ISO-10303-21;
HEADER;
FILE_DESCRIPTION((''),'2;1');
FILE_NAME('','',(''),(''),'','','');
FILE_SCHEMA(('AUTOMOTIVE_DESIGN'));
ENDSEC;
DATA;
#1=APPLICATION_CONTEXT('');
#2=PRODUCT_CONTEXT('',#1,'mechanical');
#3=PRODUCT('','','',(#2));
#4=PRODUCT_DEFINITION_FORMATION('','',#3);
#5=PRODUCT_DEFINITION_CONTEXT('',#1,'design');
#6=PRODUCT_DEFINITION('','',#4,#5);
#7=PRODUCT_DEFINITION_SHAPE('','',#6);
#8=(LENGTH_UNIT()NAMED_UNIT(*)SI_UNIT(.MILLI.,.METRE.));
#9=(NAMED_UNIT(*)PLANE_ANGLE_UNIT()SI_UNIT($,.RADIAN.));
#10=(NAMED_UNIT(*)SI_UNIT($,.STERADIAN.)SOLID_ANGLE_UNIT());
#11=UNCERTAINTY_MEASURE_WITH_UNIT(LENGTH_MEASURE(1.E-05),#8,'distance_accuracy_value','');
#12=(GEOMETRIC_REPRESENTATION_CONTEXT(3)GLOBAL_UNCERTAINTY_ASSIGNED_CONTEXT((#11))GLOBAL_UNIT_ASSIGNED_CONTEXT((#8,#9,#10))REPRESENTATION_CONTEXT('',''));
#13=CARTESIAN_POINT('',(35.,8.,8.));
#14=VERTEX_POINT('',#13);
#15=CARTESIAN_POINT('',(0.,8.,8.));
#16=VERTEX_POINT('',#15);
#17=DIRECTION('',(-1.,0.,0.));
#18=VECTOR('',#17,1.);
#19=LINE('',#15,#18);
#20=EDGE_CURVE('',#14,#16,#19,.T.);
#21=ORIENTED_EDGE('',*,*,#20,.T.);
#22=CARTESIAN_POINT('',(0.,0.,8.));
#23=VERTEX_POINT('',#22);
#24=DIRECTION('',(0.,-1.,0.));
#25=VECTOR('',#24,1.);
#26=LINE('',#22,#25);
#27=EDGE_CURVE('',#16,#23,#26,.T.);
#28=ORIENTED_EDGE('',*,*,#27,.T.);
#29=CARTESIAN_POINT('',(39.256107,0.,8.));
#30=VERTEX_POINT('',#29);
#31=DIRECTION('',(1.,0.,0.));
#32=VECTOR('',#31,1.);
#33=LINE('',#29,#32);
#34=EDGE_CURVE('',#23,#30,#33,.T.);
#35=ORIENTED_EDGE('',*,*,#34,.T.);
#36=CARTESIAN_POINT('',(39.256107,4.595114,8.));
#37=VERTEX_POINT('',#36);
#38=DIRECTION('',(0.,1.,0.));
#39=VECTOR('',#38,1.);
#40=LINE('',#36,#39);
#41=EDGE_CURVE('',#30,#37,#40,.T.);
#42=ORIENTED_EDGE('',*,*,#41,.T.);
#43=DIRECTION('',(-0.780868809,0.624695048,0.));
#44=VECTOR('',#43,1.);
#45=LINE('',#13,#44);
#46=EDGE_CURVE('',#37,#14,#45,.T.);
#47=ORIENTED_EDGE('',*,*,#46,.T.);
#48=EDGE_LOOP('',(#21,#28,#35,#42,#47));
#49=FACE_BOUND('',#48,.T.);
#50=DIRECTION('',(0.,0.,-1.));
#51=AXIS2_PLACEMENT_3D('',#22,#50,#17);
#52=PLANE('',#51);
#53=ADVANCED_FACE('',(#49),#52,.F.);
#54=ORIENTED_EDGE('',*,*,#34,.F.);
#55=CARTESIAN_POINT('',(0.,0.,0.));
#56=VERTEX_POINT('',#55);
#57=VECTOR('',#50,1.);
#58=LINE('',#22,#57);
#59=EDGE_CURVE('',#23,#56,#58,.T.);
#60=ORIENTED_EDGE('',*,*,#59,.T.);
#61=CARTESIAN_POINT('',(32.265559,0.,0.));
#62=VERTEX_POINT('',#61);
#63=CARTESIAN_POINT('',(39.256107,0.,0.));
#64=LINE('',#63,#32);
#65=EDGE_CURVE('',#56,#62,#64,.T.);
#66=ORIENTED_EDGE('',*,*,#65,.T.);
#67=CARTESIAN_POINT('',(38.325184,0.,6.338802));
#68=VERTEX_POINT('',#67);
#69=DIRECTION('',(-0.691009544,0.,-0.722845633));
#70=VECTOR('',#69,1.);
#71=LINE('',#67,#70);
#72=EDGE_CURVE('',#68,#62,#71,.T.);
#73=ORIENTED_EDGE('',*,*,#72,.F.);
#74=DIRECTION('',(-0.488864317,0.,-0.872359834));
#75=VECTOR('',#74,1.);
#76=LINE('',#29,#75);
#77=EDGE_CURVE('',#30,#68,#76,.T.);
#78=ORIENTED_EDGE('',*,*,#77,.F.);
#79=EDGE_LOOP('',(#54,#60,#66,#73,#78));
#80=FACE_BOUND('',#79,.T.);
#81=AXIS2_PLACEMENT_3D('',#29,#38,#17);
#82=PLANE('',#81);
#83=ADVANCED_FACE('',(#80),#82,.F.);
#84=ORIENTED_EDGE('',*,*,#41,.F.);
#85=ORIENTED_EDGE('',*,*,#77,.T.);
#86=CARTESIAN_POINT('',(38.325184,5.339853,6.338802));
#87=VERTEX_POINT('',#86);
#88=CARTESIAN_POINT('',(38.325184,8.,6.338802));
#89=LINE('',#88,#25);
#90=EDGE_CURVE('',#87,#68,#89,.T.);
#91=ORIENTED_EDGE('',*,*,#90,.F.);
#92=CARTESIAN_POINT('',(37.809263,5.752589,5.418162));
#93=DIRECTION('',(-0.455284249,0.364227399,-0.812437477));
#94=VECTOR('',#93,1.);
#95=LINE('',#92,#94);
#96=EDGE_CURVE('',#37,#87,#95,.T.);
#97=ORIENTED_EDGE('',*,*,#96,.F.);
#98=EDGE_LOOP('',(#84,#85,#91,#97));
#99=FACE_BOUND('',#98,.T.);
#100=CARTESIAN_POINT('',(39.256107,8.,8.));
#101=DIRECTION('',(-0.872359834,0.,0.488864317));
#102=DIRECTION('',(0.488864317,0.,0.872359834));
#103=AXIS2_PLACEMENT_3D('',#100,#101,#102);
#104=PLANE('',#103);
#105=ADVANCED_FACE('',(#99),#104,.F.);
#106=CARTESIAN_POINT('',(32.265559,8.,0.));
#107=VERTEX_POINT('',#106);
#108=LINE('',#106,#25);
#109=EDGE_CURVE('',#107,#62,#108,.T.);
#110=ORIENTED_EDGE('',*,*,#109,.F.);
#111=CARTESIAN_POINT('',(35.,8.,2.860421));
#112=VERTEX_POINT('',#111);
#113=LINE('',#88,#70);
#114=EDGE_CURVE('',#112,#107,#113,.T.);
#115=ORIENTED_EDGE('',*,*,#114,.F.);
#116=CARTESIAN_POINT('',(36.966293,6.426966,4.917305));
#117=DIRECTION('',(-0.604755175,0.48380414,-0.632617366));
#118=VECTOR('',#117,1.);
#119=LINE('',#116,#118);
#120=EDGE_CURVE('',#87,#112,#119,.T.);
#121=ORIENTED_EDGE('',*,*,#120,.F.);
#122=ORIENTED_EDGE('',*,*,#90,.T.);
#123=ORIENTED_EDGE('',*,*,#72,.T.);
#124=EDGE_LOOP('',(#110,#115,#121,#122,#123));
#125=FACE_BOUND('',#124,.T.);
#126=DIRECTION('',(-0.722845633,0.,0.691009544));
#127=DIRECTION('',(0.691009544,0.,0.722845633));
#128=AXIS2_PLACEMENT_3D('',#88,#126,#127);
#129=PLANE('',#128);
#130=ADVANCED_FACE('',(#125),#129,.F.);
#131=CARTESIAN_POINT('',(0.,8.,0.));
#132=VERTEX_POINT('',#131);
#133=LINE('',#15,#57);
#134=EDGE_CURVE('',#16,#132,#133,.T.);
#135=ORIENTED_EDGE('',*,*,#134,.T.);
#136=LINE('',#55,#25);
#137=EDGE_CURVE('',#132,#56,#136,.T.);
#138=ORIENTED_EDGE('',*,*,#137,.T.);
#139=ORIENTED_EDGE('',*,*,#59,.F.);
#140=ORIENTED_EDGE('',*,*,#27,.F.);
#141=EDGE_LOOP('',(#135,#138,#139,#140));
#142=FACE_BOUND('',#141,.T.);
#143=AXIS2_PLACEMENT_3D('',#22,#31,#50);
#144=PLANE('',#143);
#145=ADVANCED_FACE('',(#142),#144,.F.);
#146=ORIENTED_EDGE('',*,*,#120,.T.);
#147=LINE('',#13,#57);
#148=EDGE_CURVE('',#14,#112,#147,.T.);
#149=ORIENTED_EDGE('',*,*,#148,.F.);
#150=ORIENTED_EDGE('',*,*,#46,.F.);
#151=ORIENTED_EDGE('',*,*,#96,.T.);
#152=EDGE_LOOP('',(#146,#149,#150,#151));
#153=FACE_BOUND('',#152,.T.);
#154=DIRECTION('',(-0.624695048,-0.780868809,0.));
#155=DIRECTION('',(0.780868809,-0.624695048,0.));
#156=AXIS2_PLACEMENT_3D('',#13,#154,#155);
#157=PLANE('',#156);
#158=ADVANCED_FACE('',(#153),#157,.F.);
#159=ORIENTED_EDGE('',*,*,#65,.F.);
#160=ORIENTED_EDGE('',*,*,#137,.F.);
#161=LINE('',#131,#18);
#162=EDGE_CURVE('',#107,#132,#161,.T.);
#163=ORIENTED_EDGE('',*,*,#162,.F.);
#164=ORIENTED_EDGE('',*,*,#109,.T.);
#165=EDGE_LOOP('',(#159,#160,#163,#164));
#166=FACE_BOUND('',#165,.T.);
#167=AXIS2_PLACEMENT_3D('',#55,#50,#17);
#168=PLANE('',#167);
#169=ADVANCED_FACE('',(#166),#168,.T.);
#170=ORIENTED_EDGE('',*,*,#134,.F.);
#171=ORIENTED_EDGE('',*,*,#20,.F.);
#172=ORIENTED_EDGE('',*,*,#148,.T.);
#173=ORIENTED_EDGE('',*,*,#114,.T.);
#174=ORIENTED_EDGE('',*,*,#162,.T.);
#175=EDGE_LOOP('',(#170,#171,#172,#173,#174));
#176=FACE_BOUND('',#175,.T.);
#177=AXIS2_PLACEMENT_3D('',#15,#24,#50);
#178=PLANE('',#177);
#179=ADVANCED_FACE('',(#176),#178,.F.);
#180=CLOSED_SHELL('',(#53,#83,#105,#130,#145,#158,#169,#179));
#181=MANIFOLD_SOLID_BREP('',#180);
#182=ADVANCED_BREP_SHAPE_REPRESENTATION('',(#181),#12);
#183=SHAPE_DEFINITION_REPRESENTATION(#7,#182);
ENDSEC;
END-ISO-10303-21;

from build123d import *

# Parameters (mm, degrees)
EXTRUDE_1_DEPTH     = 8
CUT_EXTRUDE_1_DEPTH = 9


with BuildPart() as part:
    # Эскиз1 → Бобышка-Вытянуть1 (new body)
    with BuildSketch(Plane.XY):
        Polygon((0, 0), (0, 8), (35, 8), (39.256106995, 4.595114404), (39.256106995, 0), align=None)
    extrude(amount=EXTRUDE_1_DEPTH)

    # Эскиз2 → Вырез-Вытянуть1 (cut, through all)
    with BuildSketch(Plane.XZ):
        Polygon((32.26555928, 0), (39.256106995, 0), (39.256106995, 8), (38.325183504, 6.338802332), align=None)
    extrude(amount=-CUT_EXTRUDE_1_DEPTH, mode=Mode.SUBTRACT)


solid = part.part
